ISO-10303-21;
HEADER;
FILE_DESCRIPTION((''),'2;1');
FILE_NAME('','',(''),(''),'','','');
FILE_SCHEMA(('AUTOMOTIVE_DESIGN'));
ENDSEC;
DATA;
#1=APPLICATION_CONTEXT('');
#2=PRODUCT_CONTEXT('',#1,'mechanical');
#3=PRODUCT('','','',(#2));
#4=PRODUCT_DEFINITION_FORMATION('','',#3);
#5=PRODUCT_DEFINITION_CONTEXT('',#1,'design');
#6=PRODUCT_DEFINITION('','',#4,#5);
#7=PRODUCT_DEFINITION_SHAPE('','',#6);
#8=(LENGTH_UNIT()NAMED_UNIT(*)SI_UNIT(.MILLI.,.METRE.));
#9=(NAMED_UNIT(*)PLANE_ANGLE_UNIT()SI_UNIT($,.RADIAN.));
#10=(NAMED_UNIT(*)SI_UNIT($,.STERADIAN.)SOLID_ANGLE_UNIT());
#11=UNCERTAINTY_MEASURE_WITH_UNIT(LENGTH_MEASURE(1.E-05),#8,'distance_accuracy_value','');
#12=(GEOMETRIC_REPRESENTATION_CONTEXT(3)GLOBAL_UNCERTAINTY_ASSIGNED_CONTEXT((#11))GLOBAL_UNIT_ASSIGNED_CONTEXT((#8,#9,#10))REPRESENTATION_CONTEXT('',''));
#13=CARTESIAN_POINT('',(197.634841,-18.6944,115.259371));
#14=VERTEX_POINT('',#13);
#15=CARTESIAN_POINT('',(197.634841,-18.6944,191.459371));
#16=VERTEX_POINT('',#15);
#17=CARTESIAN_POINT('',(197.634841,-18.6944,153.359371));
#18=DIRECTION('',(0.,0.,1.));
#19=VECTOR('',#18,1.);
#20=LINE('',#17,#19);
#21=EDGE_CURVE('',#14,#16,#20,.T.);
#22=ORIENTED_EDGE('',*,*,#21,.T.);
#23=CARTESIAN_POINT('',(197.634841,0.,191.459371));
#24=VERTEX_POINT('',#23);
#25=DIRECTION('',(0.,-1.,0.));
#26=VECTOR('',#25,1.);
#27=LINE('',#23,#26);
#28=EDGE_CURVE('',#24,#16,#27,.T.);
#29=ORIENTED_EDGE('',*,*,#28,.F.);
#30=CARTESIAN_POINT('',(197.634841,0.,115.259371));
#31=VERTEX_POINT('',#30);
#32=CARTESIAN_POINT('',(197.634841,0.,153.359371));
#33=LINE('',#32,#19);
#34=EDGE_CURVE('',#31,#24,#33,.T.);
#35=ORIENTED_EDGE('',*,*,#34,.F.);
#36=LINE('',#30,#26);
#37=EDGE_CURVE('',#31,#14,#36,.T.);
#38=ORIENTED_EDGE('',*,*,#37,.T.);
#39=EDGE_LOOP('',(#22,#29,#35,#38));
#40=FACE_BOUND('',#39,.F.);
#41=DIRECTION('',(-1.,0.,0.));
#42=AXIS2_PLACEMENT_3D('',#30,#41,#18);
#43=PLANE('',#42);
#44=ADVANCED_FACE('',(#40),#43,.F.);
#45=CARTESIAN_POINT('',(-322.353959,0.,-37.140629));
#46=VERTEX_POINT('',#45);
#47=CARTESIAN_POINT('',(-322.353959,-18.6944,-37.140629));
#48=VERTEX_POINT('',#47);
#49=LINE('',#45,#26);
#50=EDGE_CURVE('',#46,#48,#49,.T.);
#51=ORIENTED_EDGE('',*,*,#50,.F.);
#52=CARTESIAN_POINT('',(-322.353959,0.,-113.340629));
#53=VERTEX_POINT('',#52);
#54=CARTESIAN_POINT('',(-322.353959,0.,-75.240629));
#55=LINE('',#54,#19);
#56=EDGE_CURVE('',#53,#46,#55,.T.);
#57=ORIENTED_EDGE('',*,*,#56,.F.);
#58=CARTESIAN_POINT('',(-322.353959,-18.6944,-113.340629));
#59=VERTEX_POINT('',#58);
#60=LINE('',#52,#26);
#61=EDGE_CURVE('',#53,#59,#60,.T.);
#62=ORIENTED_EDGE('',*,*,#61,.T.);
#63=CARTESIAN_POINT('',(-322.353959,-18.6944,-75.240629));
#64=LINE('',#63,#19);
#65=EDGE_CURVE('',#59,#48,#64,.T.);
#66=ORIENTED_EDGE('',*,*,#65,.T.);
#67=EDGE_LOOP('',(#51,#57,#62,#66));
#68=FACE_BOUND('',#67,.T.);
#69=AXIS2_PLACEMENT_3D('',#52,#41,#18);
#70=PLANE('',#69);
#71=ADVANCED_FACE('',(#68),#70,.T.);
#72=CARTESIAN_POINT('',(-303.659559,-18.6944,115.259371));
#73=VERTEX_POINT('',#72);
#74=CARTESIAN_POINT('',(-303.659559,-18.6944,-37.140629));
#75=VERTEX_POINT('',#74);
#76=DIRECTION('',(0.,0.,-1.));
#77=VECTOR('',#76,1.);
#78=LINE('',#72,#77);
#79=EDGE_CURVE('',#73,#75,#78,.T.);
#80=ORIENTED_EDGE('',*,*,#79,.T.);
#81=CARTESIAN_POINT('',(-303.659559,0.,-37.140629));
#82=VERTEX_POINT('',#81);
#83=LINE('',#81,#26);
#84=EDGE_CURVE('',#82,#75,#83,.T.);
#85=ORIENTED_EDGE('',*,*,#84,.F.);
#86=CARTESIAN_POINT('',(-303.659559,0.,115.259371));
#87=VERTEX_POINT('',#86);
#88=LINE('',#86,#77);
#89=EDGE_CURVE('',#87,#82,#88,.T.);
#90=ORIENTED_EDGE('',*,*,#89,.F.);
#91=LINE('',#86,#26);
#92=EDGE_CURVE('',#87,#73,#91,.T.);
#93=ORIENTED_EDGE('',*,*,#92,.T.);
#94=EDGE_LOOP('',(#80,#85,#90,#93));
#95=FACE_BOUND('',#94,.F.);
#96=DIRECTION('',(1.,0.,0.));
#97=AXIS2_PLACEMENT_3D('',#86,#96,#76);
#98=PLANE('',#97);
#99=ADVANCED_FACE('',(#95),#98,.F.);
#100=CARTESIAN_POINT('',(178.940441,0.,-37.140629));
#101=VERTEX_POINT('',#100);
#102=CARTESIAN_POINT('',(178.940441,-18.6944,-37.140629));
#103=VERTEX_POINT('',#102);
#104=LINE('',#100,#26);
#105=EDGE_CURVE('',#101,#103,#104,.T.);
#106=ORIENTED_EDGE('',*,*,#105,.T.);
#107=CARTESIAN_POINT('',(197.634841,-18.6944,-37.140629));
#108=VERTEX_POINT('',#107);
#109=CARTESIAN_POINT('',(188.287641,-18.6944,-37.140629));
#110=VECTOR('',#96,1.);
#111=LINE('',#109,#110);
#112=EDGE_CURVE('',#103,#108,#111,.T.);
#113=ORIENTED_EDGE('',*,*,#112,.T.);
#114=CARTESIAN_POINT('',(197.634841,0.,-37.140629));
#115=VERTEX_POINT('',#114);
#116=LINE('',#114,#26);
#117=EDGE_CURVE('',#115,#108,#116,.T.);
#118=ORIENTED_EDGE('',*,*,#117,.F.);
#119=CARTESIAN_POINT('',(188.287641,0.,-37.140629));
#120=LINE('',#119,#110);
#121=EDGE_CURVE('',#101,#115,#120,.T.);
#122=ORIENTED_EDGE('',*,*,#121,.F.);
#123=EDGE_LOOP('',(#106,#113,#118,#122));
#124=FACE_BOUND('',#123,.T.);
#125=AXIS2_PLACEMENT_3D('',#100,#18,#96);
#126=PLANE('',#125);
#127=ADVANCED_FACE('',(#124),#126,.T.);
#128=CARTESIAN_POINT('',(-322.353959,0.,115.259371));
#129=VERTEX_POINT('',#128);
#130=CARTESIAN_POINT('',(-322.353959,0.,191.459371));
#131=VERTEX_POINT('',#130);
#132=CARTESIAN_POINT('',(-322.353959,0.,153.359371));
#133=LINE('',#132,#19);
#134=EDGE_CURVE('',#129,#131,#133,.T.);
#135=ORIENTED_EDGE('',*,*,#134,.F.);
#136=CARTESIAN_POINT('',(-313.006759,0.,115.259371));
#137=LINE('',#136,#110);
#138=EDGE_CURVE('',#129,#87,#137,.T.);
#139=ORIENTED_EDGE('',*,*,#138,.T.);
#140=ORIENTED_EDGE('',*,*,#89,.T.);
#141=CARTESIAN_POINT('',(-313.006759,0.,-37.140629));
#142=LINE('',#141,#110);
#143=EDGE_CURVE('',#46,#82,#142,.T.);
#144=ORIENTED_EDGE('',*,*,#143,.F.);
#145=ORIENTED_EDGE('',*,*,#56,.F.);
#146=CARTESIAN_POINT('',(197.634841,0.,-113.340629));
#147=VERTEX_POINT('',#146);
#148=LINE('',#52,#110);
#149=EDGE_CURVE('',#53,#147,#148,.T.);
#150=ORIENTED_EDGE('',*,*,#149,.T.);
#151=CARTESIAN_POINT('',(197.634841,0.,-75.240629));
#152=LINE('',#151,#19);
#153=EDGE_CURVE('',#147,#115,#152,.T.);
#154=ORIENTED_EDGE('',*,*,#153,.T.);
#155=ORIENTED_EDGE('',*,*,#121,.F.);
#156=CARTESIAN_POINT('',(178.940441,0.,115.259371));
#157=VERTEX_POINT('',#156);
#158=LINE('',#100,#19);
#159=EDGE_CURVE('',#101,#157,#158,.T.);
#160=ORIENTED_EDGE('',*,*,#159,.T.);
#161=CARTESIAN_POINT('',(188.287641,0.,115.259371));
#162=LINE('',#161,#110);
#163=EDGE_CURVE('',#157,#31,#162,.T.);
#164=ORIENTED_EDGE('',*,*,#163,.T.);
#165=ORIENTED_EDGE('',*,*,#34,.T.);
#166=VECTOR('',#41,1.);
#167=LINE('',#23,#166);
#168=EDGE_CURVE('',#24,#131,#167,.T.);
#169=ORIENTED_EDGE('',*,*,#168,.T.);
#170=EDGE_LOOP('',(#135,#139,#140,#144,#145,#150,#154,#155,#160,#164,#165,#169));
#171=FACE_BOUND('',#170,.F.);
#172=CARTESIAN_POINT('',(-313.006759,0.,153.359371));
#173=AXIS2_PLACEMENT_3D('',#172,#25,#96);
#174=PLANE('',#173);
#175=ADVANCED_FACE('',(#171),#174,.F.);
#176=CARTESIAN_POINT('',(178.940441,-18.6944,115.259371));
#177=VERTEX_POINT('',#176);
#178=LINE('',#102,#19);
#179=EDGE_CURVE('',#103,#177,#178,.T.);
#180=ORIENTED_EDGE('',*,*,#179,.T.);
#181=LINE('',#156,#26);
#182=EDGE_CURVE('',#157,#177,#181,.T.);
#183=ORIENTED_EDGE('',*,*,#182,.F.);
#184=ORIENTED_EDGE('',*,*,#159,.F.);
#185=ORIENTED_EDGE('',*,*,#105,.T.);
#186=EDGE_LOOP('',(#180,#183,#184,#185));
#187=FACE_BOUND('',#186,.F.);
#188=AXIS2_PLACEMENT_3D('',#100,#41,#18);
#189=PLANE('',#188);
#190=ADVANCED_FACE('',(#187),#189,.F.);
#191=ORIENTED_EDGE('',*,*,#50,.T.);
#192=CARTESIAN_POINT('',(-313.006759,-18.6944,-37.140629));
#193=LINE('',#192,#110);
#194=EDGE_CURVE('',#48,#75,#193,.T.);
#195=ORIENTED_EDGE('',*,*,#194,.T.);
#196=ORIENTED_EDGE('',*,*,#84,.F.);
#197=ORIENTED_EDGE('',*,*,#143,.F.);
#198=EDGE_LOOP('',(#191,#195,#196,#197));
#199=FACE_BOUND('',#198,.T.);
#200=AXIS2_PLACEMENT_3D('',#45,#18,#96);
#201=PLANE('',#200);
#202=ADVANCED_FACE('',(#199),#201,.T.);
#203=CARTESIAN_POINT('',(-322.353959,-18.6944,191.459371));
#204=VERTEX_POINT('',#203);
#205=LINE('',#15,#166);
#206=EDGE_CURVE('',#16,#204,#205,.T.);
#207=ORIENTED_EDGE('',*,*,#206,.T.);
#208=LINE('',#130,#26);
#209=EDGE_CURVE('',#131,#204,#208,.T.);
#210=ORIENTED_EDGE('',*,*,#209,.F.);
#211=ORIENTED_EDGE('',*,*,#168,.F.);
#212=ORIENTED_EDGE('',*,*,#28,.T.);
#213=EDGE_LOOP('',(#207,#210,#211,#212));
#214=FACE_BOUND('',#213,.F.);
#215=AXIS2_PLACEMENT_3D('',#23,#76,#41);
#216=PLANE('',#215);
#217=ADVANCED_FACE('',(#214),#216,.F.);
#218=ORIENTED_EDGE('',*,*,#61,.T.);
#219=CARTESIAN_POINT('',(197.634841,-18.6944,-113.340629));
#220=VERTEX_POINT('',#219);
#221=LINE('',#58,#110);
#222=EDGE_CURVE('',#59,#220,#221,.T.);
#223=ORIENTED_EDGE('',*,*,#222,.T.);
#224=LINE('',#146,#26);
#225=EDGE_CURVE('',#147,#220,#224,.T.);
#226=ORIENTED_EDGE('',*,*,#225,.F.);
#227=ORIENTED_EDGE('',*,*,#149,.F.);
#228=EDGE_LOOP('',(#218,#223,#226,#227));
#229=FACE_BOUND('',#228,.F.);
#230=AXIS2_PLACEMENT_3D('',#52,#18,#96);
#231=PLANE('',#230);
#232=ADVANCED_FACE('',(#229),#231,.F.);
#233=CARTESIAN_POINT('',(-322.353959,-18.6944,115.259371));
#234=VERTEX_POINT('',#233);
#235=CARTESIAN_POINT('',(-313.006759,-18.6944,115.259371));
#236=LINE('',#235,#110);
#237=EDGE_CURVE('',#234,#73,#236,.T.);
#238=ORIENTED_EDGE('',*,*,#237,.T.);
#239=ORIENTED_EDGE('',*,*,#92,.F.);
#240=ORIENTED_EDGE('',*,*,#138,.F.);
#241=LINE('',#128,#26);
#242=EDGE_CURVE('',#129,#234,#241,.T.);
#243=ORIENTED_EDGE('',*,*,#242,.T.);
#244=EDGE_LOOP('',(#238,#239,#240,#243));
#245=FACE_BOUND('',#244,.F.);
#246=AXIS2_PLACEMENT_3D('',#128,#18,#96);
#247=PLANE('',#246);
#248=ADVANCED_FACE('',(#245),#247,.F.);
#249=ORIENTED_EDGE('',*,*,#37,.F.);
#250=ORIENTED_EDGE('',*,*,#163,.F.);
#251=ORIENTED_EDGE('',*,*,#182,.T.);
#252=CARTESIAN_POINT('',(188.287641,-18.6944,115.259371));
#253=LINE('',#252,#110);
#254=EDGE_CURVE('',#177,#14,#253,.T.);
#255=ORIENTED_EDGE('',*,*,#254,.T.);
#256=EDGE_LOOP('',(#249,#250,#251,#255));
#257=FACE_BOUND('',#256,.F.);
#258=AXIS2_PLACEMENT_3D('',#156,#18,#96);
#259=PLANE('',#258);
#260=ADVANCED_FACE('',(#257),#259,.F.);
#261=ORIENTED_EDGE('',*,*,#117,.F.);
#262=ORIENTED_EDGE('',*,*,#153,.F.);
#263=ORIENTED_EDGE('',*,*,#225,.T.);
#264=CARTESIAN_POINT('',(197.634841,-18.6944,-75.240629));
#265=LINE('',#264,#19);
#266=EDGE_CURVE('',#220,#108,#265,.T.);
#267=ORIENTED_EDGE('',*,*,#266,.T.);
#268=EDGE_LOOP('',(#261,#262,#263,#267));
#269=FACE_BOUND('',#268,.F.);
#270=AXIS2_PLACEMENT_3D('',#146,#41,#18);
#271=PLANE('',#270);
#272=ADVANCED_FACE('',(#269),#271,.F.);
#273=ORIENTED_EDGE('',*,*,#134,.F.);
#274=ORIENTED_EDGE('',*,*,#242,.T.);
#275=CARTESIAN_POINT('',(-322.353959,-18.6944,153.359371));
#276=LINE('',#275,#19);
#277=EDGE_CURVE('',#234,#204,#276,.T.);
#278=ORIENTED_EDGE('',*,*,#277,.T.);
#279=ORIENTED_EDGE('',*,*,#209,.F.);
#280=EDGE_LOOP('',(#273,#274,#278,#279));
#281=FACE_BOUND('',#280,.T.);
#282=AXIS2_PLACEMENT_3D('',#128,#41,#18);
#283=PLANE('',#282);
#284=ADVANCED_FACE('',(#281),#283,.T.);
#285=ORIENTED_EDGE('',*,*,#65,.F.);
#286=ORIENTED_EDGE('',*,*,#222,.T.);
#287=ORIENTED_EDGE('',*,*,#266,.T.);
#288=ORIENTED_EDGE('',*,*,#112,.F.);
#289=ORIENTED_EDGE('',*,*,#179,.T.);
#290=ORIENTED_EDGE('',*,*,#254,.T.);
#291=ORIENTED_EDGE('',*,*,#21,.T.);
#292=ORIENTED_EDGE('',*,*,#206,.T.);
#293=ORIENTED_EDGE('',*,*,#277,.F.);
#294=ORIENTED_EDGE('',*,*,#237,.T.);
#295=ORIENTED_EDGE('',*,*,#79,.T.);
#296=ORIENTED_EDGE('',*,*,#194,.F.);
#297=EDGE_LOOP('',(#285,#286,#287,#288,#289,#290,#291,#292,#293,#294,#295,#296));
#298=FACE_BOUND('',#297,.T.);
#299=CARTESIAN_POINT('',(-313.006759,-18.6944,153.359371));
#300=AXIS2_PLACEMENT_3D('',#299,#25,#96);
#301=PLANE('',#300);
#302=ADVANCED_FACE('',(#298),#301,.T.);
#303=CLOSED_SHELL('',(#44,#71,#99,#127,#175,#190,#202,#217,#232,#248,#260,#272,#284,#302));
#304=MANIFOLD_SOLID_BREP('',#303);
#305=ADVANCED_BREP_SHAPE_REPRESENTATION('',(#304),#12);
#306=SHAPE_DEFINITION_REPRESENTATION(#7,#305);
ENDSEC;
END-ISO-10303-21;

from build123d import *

# Parameters (mm, degrees)
F0_W     = 18.6944
F0_H     = 76.2
F1_DEPTH = 18.6944


with BuildPart() as f1:
    # F0 (on Front) → F1 (new body)
    with BuildSketch(Plane.XZ):
        with Locations((-313.006759, 153.359371)):
            Rectangle(F0_W, F0_H)
        with Locations((-313.006759, -75.240629)):
            Rectangle(F0_W, F0_H)
        with Locations((188.287641, 153.359371)):
            Rectangle(F0_W, F0_H)
        with Locations((188.287641, -75.240629)):
            Rectangle(F0_W, F0_H)
        Polygon((-303.659559, -37.140629), (-303.659559, -113.340629), (178.940441, -113.340629), (178.940441, -37.140629), (178.940441, 115.259371), (178.940441, 191.459371), (-303.659559, 191.459371), (-303.659559, 115.259371), align=None)
    extrude(amount=F1_DEPTH)


solid = f1.part
